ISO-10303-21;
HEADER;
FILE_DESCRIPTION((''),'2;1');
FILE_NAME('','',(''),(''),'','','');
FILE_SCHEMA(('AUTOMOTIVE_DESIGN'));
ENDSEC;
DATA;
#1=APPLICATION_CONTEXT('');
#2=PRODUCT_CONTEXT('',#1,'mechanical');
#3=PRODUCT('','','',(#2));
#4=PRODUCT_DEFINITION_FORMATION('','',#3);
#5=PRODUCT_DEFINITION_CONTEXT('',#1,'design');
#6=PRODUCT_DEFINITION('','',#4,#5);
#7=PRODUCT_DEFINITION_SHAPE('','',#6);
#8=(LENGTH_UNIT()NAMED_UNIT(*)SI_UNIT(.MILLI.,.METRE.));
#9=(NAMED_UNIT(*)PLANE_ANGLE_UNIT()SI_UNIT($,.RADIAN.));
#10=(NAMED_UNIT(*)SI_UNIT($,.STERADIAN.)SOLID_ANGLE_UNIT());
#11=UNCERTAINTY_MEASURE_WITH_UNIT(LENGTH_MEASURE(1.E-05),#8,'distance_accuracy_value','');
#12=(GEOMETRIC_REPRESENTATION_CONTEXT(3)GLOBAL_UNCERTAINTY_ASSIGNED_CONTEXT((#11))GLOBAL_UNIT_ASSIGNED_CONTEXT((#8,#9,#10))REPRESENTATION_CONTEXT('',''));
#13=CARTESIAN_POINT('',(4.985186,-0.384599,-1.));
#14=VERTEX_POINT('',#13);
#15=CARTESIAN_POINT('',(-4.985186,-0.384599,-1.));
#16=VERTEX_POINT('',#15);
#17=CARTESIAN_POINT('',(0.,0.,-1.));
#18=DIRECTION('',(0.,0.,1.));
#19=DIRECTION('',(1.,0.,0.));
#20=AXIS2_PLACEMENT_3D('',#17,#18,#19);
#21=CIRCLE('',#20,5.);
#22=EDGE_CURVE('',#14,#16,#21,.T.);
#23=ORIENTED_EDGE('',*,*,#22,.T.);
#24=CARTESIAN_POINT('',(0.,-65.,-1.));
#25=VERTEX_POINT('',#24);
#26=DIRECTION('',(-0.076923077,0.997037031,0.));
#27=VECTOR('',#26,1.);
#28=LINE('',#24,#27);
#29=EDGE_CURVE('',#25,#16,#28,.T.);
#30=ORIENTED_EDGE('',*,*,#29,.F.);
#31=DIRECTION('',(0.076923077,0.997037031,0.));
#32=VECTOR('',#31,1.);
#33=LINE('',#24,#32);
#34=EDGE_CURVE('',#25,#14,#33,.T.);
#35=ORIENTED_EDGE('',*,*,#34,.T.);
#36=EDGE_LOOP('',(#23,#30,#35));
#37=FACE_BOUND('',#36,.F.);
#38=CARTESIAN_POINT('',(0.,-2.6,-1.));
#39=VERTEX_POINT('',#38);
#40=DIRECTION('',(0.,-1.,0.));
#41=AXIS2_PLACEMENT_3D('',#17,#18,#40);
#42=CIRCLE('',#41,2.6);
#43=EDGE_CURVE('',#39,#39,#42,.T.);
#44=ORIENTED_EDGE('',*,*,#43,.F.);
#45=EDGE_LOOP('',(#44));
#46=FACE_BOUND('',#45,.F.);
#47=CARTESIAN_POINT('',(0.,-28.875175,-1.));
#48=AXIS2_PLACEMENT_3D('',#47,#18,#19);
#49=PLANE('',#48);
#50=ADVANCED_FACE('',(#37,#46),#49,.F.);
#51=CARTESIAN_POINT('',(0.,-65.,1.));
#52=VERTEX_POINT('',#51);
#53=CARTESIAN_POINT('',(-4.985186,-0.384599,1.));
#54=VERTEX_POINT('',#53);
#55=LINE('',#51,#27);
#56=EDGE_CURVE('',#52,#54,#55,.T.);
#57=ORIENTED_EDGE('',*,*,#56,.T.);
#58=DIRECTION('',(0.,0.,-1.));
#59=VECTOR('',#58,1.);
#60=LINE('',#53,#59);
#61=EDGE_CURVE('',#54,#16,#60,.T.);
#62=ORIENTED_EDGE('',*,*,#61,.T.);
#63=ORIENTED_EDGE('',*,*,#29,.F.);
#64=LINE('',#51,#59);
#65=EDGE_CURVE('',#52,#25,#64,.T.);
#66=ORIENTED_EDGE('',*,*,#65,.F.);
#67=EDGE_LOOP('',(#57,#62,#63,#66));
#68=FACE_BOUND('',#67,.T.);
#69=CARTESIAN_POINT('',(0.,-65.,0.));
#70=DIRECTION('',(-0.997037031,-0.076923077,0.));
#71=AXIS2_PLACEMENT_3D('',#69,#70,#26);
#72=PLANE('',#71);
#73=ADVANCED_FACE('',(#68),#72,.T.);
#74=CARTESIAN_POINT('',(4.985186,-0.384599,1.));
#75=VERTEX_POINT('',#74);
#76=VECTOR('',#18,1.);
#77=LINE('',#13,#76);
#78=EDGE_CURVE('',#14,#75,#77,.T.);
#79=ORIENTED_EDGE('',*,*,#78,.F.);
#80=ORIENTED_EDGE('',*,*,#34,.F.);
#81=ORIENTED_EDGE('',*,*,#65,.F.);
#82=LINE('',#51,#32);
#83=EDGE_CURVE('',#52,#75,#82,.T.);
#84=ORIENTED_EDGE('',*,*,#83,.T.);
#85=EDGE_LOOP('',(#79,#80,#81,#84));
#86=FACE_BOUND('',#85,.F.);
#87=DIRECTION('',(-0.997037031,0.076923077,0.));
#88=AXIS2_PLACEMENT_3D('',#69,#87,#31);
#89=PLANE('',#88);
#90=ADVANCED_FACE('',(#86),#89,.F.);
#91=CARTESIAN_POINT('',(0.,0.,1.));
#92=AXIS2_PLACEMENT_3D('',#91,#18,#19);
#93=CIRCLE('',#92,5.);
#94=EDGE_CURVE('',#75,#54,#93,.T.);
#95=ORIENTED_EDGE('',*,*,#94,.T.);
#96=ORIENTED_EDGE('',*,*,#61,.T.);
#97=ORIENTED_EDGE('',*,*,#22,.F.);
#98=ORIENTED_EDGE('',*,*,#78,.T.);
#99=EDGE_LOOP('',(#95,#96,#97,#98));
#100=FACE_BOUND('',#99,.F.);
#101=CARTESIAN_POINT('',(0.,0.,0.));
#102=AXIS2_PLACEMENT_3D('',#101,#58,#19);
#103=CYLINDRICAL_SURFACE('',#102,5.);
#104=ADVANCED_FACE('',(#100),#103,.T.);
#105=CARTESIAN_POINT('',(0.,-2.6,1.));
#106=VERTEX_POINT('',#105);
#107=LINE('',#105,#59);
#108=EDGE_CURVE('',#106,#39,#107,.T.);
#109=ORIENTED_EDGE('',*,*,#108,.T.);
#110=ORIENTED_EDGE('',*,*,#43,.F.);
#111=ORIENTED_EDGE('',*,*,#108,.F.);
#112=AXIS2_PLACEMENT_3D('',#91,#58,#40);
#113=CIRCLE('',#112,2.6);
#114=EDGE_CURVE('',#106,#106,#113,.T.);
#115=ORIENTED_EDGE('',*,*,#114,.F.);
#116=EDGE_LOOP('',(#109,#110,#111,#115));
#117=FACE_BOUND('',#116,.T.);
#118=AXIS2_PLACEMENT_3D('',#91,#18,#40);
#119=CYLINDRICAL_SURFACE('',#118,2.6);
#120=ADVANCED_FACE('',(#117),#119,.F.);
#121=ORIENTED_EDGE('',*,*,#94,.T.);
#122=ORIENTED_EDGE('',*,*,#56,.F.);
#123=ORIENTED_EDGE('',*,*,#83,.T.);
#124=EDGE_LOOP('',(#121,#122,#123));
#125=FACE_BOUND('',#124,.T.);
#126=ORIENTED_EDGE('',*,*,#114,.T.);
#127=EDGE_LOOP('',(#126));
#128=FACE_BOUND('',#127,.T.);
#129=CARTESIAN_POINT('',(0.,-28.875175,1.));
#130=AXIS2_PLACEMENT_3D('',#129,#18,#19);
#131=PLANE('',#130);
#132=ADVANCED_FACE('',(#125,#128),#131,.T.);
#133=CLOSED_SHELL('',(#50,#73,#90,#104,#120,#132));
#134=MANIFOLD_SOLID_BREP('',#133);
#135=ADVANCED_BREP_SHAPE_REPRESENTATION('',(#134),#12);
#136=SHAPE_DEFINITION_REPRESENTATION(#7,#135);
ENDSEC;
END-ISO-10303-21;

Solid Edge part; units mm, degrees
sketch "Sketch1" plane through (0, 0, 0) normal (0, 0, 1) x (1, 0, 0)
  line L0 (0, -65) -> (4.9852, -0.3846)
  line L1 (0, -65) -> (-4.9852, -0.3846)
  arc A0 (4.9852, -0.3846) -> (-4.9852, -0.3846) centre (0, 0) ccw
extrude "Protrusion1" add sketch "Sketch1" along normal mid plane 2
hole "Hole_1" at (0, 0, 1) direction (0, 0, -1) diameter 5.2 end up to next
properties material "Aluminum Alloy:3.3523 , AlMg2.5, EN-AW 5052"
